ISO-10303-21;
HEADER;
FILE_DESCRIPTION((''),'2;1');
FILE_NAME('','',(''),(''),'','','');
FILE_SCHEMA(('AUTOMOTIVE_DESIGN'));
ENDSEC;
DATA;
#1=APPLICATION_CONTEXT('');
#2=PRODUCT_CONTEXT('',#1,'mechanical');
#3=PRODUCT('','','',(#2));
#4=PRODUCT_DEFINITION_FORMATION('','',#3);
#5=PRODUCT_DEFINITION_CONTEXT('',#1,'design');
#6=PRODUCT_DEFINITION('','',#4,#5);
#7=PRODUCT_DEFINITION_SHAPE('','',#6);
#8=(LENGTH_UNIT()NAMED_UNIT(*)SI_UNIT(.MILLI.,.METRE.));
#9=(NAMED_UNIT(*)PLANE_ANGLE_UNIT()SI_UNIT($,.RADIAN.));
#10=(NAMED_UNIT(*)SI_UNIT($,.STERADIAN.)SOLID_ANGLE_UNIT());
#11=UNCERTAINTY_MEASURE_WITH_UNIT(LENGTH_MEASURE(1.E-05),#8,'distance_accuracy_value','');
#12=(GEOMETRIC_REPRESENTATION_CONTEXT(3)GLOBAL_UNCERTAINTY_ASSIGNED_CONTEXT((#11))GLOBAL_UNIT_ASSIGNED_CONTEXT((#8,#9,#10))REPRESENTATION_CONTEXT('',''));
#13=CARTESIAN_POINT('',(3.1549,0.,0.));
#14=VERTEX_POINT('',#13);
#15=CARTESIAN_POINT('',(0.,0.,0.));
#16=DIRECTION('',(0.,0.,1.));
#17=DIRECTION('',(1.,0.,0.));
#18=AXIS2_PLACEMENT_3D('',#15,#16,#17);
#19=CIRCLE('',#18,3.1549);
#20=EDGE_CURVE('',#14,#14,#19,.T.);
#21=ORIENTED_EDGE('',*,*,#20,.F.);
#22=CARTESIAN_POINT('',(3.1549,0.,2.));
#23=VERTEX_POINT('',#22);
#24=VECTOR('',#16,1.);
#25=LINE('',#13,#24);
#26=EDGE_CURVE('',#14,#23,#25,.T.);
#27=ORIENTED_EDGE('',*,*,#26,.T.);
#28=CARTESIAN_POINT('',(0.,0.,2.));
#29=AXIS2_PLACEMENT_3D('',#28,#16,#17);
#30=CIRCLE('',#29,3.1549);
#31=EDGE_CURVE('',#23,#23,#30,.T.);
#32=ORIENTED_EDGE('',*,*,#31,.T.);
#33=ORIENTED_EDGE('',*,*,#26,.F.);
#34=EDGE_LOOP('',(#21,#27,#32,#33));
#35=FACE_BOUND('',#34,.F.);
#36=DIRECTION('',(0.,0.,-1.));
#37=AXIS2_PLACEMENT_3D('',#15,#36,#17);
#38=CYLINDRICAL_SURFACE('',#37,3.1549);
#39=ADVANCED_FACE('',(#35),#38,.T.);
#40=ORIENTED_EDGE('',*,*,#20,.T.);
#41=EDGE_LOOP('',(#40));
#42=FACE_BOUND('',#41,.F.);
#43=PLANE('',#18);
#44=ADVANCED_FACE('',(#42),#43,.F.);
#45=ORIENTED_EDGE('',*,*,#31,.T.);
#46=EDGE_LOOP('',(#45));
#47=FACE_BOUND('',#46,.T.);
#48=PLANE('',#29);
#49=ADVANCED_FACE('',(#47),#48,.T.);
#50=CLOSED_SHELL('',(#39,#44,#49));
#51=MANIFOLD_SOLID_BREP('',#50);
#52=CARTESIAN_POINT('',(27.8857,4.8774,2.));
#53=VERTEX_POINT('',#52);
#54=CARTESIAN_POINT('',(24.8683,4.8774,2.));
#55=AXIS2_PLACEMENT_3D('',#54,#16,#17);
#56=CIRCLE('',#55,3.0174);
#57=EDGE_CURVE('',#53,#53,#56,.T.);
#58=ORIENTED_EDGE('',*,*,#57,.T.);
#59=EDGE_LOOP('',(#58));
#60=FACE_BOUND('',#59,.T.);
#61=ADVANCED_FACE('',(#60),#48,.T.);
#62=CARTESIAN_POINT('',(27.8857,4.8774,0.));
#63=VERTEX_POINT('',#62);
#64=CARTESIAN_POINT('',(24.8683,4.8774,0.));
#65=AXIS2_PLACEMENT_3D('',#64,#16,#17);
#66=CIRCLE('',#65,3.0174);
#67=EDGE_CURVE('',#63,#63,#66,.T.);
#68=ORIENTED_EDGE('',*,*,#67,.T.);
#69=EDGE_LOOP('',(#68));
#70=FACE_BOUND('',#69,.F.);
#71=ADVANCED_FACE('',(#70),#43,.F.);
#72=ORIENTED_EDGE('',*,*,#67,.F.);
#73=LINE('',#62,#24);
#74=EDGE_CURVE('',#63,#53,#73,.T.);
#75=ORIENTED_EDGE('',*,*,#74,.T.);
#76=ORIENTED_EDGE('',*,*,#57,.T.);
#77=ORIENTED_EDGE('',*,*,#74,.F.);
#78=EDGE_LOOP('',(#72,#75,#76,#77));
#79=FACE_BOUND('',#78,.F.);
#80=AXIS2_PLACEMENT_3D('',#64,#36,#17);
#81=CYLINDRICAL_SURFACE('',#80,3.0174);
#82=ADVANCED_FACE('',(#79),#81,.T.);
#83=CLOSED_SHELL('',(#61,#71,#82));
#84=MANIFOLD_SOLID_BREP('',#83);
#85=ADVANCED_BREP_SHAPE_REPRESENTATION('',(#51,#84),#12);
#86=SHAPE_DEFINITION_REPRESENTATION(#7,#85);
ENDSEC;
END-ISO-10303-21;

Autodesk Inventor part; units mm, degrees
ref_plane "YZ Plane" through (0, 0, 0) normal (1, 0, 0) x (0, 1, 0)
ref_plane "XZ Plane" through (0, 0, 0) normal (0, 1, 0) x (-1, 0, 0)
ref_plane "XY Plane" through (0, 0, 0) normal (0, 0, 1) x (1, 0, 0)
sketch "Sketch1" plane through (0, 0, 0) normal (0, 0, 1) x (1, 0, 0)
  arc A0 (31.1669, -27.5722) -> (35.8875, -22.8773) centre (21.6106, -13.2427) ccw projected
  arc A1 (35.8875, -22.8773) -> (34.8455, -21.6033) centre (-10.0066, -59.351) ccw projected
  line L0 (31.177, -26.5722) -> (-3.0608, -26.5722) projected
  arc A2 (-3.0608, -26.5722) -> (-3.3209, -25.2629) centre (-5.1893, -26.3146) ccw projected
  arc A3 (-3.3209, -25.2629) -> (-1.1986, -22.6985) centre (-4.2539, -22.3302) ccw projected
  arc A4 (-1.1986, -22.6985) -> (27.6561, -16.2412) centre (3.0649, 25.9479) ccw projected
  arc A5 (34.8455, -21.6033) -> (38.4558, -17.1259) centre (14.65, -1.6245) ccw projected
  arc A6 (29.6868, -16.1644) -> (34.1879, -20.9364) centre (42.4009, -8.681) ccw projected
  arc A7 (29.6868, -16.1644) -> (32.1813, -14.508) centre (22.6557, -2.8691) ccw projected
  arc A8 (36.2837, -17.718) -> (32.1813, -14.508) centre (33.8318, -16.6251) ccw projected
  arc A9 (38.4558, -17.1259) -> (37.2045, -13.6874) centre (36.2505, -15.9815) ccw projected
  arc A10 (36.3385, -10.6874) -> (37.2045, -13.6874) centre (37.9725, -11.8408) ccw projected
  arc A11 (36.3385, -10.6874) -> (35.7081, 6.3323) centre (24.8683, -2.5908) ccw projected
  arc A12 (35.7081, 6.3323) -> (31.4684, 20.3428) centre (7.4536, 5.4291) ccw projected
  arc A13 (31.4684, 20.3428) -> (30.4027, 34.135) centre (0, 24.8485) ccw projected
  arc A14 (30.4027, 34.135) -> (17.0904, 32.0182) centre (26.8002, 13.8731) ccw projected
  arc A15 (17.0904, 32.0182) -> (-22.1361, 25.4066) centre (3.3472, -6.1143) ccw projected
  arc A16 (-22.1361, 25.4066) -> (-37.0956, 22.1531) centre (-24.1189, -1.495) ccw projected
  arc A17 (-37.0956, 22.1531) -> (-33.3027, 6.5823) centre (17.6972, 27.2528) ccw projected
  arc A18 (-33.3027, 6.5823) -> (-30.2964, -14.6197) centre (2.7199, 0.876) ccw projected
  arc A19 (-30.2964, -14.6197) -> (-18.2146, -23.7335) centre (-13.8358, -5.3636) ccw projected
  arc A20 (-18.2146, -23.7335) -> (-18.242, -27.5722) centre (-11.8923, -25.698) ccw projected
  line L1 (-44.3323, -27.5722) -> (-18.242, -27.5722) projected
  arc A21 (-44.3323, -27.5722) -> (-48.3323, -31.5722) centre (-44.3323, -31.5722) ccw projected
  line L2 (-48.3323, -136.5722) -> (-48.3323, -31.5722) projected
  arc A22 (-48.3323, -136.5722) -> (-44.3323, -140.5722) centre (-44.3323, -136.5722) ccw projected
  line L3 (92.8689, -140.5722) -> (-44.3323, -140.5722) projected
  line L4 (92.8689, -132.5706) -> (92.8689, -140.5722) projected
  line L5 (-38.9073, -132.5706) -> (92.8689, -132.5706) projected
  arc A23 (-40.9073, -130.5706) -> (-38.9073, -132.5706) centre (-38.9073, -130.5706) ccw projected
  line L6 (-40.9073, -37.5722) -> (-40.9073, -130.5706) projected
  arc A24 (-38.9073, -35.5722) -> (-40.9073, -37.5722) centre (-38.9073, -37.5722) ccw projected
  line L7 (92.8689, -35.5722) -> (-38.9073, -35.5722) projected
  line L8 (92.8689, -27.5722) -> (92.8689, -35.5722) projected
  line L9 (31.1669, -27.5722) -> (92.8689, -27.5722) projected
  arc A25 (10.4658, -0.0889) -> (9.3999, 0) centre (9.9366, 0) ccw projected
  arc A26 (10.4658, -0.0889) -> (10.6052, -0.4853) centre (11.0805, -0.0954) ccw projected
  arc A27 (10.6052, -0.4853) -> (12.2217, -0.0769) centre (11.2935, 0.1936) ccw projected
  arc A28 (14.0708, 0) -> (12.2217, -0.0769) centre (13.1642, -0.4715) ccw projected
  arc A29 (14.0708, 0) -> (15.5201, 0.876) centre (14.6273, 0.7161) ccw projected
  arc A30 (16.6059, 1.2358) -> (15.5201, 0.876) centre (16.0433, 1.1154) ccw projected
  arc A31 (13.0987, -0.702) -> (16.6059, 1.2358) centre (14.6781, 0.5822) ccw projected
  arc A32 (9.3999, 0) -> (13.0987, -0.702) centre (11.2957, -0.1065) ccw projected
  arc A33 (30.6396, 22.3597) -> (19.6168, 31.4004) centre (6.9952, 4.7714) ccw projected
  arc A34 (29.7697, 32.8548) -> (19.6168, 31.4004) centre (27.3183, 13.8041) ccw projected
  arc A35 (30.6396, 22.3597) -> (29.7697, 32.8548) centre (2.7, 25.3277) ccw projected
  line L10 (-7.4612, -26.5722) -> (-17.5392, -26.5722) projected
  arc A36 (-9.2038, -17.0917) -> (-15.8005, -20.192) centre (-6.8054, -30.7634) ccw projected
  arc A37 (-4.9865, -25.698) -> (-9.2038, -17.0917) centre (-21.6299, -28.5174) ccw projected
  arc A38 (-4.9865, -25.698) -> (-7.4612, -26.5722) centre (2.3833, -50.5016) ccw projected
  circle A39 centre (24.8683, 4.8774) radius 3.1762 projected
  circle A40 centre (0, 0) radius 3.3209 projected
  arc A41 (-23.3023, 23.7394) -> (-30.7067, 8.9093) centre (205.8131, -99.9189) ccw projected
  arc A42 (-35.2106, 21.0181) -> (-30.7067, 8.9093) centre (-10.6119, 23.2756) ccw projected
  arc A43 (-23.3023, 23.7394) -> (-35.2106, 21.0181) centre (-24.7545, 2.6784) ccw projected
  arc A44 (-3.7654, -23.5331) -> (-6.8054, -17.6334) centre (-5.1369, -20.5068) ccw projected
  arc A45 (-3.7654, -23.5331) -> (-6.8054, -17.6334) centre (-14.6416, -25.4043) ccw projected
  ellipse E0 centre (32.9155, 3.0366) end of major axis (36.6949, 3.0366) minor radius 3.3363 projected
  ellipse E1 centre (-8.3038, -4.7458) end of major axis (-4.0213, -3.7834) minor radius 3.3846 projected
  circle A46 centre (0, 0) radius 3.1549
  circle A47 centre (24.8683, 4.8774) radius 3.0174
  arc A48 (34.1879, -20.9364) -> (36.2837, -17.718) centre (26.5541, -13.6737) ccw projected
  arc A49 (27.6561, -16.2412) -> (33.9248, -23.5331) centre (40.7776, -11.3014) ccw projected
  arc A50 (31.177, -26.5722) -> (33.9248, -23.5331) centre (15.0767, -9.2529) ccw projected
  arc A51 (-15.8005, -20.192) -> (-17.5392, -26.5722) centre (-11.5031, -24.7901) ccw projected
extrude "Extrusion1" add sketch "Sketch1" along normal blind 2 contours A46 | A47
properties part number "EyesGoma"
